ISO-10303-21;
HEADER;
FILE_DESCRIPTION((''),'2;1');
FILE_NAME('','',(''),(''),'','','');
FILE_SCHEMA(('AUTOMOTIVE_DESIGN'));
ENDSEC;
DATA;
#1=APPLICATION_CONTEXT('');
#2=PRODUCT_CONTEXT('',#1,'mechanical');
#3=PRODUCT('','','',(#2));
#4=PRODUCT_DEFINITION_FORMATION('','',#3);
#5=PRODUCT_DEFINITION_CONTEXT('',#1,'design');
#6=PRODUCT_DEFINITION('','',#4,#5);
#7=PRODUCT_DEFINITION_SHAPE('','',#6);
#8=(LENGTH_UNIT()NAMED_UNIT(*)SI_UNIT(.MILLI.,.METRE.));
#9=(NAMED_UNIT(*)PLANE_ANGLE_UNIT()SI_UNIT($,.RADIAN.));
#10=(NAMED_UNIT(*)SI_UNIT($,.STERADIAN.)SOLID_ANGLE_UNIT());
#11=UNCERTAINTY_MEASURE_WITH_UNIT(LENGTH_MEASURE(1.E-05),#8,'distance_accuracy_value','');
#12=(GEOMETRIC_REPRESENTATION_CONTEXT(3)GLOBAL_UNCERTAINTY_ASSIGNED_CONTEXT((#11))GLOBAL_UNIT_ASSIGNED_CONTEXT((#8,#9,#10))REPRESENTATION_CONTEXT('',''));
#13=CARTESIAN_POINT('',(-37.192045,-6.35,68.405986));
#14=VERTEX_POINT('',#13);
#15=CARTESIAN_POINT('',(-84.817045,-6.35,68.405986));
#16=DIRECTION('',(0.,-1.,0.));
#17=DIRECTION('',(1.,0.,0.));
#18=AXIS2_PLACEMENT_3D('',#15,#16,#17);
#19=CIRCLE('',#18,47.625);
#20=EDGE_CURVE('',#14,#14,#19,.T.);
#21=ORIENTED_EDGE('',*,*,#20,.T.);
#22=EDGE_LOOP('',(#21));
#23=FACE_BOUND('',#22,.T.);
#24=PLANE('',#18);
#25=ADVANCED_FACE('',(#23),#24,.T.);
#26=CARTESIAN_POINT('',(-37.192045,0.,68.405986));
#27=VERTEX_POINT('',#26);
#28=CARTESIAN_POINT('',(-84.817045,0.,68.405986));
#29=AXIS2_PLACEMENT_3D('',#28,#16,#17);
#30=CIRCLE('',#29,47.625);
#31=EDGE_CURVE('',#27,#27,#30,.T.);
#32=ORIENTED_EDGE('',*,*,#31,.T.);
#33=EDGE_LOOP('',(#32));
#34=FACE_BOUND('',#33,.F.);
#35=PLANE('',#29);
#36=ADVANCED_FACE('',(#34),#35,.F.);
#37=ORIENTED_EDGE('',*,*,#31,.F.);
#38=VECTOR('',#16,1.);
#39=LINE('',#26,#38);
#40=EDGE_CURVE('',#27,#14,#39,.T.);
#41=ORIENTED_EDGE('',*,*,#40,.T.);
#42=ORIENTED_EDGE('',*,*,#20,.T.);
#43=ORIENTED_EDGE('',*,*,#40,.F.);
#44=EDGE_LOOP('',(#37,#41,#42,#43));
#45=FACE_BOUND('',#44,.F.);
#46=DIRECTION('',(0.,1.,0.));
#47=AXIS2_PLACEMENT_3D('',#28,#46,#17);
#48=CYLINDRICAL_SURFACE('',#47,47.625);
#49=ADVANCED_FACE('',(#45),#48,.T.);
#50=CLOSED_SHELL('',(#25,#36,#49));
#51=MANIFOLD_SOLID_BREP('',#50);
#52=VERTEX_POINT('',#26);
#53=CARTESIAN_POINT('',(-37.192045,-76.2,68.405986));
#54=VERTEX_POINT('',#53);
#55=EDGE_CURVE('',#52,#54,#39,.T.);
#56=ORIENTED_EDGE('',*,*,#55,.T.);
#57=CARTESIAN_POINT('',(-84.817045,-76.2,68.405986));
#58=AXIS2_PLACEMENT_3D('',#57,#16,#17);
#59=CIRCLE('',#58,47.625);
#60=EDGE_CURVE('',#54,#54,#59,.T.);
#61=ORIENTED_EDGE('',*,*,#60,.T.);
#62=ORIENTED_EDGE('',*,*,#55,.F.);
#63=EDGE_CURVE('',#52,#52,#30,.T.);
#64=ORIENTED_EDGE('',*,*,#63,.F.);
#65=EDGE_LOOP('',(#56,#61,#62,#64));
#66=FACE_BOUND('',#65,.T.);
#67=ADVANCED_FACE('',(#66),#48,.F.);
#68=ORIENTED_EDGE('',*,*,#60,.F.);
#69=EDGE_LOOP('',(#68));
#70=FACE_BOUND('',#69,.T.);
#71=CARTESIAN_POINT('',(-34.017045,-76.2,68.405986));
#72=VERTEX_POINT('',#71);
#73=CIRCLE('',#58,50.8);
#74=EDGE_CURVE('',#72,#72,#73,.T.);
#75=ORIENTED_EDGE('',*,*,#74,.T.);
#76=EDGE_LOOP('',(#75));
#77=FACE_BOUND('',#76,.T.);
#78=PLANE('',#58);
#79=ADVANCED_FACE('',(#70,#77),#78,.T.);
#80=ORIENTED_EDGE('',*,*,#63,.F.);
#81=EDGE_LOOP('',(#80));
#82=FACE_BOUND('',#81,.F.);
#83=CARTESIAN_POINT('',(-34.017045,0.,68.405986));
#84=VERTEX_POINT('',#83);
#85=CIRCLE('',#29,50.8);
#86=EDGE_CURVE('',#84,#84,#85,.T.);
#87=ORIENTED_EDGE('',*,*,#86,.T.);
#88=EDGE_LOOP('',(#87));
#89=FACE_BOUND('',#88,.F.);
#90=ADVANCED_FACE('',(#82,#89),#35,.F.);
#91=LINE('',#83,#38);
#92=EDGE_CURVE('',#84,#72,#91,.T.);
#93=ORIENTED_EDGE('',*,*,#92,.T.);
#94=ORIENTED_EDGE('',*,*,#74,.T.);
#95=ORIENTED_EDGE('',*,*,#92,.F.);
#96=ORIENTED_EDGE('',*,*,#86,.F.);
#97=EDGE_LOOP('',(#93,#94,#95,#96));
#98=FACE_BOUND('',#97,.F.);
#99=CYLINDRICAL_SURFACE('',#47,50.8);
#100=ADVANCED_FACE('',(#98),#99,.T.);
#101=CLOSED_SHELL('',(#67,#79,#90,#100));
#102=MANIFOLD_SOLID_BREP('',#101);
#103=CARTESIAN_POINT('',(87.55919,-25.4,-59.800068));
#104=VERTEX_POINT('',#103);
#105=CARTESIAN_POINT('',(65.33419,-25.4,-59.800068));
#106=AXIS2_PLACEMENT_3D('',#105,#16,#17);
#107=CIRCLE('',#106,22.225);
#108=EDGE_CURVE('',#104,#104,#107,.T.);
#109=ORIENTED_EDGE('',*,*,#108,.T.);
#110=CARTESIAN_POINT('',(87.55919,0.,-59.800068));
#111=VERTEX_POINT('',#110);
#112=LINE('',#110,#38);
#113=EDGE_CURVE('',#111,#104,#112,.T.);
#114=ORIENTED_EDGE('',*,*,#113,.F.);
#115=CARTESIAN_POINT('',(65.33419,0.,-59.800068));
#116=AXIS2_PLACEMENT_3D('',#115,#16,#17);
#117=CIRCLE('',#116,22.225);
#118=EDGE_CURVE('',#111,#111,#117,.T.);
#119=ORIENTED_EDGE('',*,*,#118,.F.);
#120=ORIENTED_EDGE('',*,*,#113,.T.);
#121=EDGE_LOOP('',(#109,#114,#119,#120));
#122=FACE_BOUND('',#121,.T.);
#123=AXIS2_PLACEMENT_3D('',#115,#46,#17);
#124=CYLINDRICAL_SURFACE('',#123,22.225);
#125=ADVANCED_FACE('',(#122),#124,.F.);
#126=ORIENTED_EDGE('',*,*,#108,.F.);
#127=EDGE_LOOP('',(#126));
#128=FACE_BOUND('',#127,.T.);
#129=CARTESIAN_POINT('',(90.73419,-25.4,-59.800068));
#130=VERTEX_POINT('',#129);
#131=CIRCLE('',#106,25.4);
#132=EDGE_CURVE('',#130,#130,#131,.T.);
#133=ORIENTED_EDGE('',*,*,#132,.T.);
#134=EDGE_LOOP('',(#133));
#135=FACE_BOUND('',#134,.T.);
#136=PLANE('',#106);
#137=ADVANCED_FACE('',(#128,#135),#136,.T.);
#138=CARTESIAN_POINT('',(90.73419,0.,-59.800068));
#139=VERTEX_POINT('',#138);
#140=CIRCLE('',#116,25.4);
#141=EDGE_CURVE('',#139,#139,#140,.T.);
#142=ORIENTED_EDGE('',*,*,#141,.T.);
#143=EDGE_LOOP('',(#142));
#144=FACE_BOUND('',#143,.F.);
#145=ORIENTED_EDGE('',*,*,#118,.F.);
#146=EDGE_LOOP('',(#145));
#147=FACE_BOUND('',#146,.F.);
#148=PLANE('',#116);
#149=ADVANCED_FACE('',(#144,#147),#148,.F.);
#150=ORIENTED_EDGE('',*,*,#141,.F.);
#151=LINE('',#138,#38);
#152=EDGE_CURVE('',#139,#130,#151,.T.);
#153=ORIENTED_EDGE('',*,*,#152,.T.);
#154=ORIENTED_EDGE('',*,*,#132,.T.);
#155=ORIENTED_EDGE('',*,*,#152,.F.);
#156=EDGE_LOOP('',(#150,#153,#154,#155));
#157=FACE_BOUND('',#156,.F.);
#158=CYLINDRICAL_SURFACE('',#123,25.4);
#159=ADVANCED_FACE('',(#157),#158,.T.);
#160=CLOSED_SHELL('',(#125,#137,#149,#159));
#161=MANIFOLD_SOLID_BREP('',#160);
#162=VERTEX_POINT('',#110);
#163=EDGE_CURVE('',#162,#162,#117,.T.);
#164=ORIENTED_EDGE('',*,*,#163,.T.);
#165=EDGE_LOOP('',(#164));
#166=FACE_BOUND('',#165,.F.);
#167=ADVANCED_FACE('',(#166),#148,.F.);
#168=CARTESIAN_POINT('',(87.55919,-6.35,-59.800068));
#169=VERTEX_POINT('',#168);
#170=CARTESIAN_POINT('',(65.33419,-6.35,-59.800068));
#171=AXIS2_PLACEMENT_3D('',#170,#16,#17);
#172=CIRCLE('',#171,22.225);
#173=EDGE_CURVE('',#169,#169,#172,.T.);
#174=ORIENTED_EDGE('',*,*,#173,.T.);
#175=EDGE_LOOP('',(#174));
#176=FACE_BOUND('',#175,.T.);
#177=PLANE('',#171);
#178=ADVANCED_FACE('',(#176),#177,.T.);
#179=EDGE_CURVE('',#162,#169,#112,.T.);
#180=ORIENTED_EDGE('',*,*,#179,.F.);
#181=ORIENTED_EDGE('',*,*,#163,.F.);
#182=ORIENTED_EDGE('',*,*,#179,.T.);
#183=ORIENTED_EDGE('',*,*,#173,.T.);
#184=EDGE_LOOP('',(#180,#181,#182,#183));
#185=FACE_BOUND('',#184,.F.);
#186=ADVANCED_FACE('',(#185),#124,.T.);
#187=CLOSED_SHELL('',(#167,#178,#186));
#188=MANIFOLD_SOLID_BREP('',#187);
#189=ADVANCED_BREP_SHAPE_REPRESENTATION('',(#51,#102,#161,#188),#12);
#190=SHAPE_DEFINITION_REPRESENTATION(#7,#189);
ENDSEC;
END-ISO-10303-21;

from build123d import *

# Parameters (mm, degrees)
F0_R     = 50.8
F0_R_2   = 47.625
F1_DEPTH = 76.2
F2_DEPTH = 6.35
F0_R_3   = 22.225
F3_DEPTH = 6.35
F0_R_4   = 25.4
F4_DEPTH = 25.4


with BuildPart() as f1:
    # F0 (on Front) → F1 (new body)
    with BuildSketch(Plane.XZ):
        with Locations((-84.817045, 68.405986)):
            Circle(F0_R)
        with Locations((-84.817045, 68.405986)):
            Circle(F0_R_2, mode=Mode.SUBTRACT)
    extrude(amount=F1_DEPTH)


with BuildPart() as f2:
    # F0 (on Front) → F2 (new body)
    with BuildSketch(Plane.XZ):
        with Locations((-84.817045, 68.405986)):
            Circle(F0_R_2)
    extrude(amount=F2_DEPTH)


with BuildPart() as f3:
    # F0 (on Front) → F3 (new body)
    with BuildSketch(Plane.XZ):
        with Locations((65.33419, -59.800068)):
            Circle(F0_R_3)
    extrude(amount=F3_DEPTH)


with BuildPart() as f4:
    # F0 (on Front) → F4 (new body)
    with BuildSketch(Plane.XZ):
        with Locations((65.33419, -59.800068)):
            Circle(F0_R_4)
        with Locations((65.33419, -59.800068)):
            Circle(F0_R_3, mode=Mode.SUBTRACT)
    extrude(amount=F4_DEPTH)


solid = Compound([f1.part, f2.part, f3.part, f4.part])
